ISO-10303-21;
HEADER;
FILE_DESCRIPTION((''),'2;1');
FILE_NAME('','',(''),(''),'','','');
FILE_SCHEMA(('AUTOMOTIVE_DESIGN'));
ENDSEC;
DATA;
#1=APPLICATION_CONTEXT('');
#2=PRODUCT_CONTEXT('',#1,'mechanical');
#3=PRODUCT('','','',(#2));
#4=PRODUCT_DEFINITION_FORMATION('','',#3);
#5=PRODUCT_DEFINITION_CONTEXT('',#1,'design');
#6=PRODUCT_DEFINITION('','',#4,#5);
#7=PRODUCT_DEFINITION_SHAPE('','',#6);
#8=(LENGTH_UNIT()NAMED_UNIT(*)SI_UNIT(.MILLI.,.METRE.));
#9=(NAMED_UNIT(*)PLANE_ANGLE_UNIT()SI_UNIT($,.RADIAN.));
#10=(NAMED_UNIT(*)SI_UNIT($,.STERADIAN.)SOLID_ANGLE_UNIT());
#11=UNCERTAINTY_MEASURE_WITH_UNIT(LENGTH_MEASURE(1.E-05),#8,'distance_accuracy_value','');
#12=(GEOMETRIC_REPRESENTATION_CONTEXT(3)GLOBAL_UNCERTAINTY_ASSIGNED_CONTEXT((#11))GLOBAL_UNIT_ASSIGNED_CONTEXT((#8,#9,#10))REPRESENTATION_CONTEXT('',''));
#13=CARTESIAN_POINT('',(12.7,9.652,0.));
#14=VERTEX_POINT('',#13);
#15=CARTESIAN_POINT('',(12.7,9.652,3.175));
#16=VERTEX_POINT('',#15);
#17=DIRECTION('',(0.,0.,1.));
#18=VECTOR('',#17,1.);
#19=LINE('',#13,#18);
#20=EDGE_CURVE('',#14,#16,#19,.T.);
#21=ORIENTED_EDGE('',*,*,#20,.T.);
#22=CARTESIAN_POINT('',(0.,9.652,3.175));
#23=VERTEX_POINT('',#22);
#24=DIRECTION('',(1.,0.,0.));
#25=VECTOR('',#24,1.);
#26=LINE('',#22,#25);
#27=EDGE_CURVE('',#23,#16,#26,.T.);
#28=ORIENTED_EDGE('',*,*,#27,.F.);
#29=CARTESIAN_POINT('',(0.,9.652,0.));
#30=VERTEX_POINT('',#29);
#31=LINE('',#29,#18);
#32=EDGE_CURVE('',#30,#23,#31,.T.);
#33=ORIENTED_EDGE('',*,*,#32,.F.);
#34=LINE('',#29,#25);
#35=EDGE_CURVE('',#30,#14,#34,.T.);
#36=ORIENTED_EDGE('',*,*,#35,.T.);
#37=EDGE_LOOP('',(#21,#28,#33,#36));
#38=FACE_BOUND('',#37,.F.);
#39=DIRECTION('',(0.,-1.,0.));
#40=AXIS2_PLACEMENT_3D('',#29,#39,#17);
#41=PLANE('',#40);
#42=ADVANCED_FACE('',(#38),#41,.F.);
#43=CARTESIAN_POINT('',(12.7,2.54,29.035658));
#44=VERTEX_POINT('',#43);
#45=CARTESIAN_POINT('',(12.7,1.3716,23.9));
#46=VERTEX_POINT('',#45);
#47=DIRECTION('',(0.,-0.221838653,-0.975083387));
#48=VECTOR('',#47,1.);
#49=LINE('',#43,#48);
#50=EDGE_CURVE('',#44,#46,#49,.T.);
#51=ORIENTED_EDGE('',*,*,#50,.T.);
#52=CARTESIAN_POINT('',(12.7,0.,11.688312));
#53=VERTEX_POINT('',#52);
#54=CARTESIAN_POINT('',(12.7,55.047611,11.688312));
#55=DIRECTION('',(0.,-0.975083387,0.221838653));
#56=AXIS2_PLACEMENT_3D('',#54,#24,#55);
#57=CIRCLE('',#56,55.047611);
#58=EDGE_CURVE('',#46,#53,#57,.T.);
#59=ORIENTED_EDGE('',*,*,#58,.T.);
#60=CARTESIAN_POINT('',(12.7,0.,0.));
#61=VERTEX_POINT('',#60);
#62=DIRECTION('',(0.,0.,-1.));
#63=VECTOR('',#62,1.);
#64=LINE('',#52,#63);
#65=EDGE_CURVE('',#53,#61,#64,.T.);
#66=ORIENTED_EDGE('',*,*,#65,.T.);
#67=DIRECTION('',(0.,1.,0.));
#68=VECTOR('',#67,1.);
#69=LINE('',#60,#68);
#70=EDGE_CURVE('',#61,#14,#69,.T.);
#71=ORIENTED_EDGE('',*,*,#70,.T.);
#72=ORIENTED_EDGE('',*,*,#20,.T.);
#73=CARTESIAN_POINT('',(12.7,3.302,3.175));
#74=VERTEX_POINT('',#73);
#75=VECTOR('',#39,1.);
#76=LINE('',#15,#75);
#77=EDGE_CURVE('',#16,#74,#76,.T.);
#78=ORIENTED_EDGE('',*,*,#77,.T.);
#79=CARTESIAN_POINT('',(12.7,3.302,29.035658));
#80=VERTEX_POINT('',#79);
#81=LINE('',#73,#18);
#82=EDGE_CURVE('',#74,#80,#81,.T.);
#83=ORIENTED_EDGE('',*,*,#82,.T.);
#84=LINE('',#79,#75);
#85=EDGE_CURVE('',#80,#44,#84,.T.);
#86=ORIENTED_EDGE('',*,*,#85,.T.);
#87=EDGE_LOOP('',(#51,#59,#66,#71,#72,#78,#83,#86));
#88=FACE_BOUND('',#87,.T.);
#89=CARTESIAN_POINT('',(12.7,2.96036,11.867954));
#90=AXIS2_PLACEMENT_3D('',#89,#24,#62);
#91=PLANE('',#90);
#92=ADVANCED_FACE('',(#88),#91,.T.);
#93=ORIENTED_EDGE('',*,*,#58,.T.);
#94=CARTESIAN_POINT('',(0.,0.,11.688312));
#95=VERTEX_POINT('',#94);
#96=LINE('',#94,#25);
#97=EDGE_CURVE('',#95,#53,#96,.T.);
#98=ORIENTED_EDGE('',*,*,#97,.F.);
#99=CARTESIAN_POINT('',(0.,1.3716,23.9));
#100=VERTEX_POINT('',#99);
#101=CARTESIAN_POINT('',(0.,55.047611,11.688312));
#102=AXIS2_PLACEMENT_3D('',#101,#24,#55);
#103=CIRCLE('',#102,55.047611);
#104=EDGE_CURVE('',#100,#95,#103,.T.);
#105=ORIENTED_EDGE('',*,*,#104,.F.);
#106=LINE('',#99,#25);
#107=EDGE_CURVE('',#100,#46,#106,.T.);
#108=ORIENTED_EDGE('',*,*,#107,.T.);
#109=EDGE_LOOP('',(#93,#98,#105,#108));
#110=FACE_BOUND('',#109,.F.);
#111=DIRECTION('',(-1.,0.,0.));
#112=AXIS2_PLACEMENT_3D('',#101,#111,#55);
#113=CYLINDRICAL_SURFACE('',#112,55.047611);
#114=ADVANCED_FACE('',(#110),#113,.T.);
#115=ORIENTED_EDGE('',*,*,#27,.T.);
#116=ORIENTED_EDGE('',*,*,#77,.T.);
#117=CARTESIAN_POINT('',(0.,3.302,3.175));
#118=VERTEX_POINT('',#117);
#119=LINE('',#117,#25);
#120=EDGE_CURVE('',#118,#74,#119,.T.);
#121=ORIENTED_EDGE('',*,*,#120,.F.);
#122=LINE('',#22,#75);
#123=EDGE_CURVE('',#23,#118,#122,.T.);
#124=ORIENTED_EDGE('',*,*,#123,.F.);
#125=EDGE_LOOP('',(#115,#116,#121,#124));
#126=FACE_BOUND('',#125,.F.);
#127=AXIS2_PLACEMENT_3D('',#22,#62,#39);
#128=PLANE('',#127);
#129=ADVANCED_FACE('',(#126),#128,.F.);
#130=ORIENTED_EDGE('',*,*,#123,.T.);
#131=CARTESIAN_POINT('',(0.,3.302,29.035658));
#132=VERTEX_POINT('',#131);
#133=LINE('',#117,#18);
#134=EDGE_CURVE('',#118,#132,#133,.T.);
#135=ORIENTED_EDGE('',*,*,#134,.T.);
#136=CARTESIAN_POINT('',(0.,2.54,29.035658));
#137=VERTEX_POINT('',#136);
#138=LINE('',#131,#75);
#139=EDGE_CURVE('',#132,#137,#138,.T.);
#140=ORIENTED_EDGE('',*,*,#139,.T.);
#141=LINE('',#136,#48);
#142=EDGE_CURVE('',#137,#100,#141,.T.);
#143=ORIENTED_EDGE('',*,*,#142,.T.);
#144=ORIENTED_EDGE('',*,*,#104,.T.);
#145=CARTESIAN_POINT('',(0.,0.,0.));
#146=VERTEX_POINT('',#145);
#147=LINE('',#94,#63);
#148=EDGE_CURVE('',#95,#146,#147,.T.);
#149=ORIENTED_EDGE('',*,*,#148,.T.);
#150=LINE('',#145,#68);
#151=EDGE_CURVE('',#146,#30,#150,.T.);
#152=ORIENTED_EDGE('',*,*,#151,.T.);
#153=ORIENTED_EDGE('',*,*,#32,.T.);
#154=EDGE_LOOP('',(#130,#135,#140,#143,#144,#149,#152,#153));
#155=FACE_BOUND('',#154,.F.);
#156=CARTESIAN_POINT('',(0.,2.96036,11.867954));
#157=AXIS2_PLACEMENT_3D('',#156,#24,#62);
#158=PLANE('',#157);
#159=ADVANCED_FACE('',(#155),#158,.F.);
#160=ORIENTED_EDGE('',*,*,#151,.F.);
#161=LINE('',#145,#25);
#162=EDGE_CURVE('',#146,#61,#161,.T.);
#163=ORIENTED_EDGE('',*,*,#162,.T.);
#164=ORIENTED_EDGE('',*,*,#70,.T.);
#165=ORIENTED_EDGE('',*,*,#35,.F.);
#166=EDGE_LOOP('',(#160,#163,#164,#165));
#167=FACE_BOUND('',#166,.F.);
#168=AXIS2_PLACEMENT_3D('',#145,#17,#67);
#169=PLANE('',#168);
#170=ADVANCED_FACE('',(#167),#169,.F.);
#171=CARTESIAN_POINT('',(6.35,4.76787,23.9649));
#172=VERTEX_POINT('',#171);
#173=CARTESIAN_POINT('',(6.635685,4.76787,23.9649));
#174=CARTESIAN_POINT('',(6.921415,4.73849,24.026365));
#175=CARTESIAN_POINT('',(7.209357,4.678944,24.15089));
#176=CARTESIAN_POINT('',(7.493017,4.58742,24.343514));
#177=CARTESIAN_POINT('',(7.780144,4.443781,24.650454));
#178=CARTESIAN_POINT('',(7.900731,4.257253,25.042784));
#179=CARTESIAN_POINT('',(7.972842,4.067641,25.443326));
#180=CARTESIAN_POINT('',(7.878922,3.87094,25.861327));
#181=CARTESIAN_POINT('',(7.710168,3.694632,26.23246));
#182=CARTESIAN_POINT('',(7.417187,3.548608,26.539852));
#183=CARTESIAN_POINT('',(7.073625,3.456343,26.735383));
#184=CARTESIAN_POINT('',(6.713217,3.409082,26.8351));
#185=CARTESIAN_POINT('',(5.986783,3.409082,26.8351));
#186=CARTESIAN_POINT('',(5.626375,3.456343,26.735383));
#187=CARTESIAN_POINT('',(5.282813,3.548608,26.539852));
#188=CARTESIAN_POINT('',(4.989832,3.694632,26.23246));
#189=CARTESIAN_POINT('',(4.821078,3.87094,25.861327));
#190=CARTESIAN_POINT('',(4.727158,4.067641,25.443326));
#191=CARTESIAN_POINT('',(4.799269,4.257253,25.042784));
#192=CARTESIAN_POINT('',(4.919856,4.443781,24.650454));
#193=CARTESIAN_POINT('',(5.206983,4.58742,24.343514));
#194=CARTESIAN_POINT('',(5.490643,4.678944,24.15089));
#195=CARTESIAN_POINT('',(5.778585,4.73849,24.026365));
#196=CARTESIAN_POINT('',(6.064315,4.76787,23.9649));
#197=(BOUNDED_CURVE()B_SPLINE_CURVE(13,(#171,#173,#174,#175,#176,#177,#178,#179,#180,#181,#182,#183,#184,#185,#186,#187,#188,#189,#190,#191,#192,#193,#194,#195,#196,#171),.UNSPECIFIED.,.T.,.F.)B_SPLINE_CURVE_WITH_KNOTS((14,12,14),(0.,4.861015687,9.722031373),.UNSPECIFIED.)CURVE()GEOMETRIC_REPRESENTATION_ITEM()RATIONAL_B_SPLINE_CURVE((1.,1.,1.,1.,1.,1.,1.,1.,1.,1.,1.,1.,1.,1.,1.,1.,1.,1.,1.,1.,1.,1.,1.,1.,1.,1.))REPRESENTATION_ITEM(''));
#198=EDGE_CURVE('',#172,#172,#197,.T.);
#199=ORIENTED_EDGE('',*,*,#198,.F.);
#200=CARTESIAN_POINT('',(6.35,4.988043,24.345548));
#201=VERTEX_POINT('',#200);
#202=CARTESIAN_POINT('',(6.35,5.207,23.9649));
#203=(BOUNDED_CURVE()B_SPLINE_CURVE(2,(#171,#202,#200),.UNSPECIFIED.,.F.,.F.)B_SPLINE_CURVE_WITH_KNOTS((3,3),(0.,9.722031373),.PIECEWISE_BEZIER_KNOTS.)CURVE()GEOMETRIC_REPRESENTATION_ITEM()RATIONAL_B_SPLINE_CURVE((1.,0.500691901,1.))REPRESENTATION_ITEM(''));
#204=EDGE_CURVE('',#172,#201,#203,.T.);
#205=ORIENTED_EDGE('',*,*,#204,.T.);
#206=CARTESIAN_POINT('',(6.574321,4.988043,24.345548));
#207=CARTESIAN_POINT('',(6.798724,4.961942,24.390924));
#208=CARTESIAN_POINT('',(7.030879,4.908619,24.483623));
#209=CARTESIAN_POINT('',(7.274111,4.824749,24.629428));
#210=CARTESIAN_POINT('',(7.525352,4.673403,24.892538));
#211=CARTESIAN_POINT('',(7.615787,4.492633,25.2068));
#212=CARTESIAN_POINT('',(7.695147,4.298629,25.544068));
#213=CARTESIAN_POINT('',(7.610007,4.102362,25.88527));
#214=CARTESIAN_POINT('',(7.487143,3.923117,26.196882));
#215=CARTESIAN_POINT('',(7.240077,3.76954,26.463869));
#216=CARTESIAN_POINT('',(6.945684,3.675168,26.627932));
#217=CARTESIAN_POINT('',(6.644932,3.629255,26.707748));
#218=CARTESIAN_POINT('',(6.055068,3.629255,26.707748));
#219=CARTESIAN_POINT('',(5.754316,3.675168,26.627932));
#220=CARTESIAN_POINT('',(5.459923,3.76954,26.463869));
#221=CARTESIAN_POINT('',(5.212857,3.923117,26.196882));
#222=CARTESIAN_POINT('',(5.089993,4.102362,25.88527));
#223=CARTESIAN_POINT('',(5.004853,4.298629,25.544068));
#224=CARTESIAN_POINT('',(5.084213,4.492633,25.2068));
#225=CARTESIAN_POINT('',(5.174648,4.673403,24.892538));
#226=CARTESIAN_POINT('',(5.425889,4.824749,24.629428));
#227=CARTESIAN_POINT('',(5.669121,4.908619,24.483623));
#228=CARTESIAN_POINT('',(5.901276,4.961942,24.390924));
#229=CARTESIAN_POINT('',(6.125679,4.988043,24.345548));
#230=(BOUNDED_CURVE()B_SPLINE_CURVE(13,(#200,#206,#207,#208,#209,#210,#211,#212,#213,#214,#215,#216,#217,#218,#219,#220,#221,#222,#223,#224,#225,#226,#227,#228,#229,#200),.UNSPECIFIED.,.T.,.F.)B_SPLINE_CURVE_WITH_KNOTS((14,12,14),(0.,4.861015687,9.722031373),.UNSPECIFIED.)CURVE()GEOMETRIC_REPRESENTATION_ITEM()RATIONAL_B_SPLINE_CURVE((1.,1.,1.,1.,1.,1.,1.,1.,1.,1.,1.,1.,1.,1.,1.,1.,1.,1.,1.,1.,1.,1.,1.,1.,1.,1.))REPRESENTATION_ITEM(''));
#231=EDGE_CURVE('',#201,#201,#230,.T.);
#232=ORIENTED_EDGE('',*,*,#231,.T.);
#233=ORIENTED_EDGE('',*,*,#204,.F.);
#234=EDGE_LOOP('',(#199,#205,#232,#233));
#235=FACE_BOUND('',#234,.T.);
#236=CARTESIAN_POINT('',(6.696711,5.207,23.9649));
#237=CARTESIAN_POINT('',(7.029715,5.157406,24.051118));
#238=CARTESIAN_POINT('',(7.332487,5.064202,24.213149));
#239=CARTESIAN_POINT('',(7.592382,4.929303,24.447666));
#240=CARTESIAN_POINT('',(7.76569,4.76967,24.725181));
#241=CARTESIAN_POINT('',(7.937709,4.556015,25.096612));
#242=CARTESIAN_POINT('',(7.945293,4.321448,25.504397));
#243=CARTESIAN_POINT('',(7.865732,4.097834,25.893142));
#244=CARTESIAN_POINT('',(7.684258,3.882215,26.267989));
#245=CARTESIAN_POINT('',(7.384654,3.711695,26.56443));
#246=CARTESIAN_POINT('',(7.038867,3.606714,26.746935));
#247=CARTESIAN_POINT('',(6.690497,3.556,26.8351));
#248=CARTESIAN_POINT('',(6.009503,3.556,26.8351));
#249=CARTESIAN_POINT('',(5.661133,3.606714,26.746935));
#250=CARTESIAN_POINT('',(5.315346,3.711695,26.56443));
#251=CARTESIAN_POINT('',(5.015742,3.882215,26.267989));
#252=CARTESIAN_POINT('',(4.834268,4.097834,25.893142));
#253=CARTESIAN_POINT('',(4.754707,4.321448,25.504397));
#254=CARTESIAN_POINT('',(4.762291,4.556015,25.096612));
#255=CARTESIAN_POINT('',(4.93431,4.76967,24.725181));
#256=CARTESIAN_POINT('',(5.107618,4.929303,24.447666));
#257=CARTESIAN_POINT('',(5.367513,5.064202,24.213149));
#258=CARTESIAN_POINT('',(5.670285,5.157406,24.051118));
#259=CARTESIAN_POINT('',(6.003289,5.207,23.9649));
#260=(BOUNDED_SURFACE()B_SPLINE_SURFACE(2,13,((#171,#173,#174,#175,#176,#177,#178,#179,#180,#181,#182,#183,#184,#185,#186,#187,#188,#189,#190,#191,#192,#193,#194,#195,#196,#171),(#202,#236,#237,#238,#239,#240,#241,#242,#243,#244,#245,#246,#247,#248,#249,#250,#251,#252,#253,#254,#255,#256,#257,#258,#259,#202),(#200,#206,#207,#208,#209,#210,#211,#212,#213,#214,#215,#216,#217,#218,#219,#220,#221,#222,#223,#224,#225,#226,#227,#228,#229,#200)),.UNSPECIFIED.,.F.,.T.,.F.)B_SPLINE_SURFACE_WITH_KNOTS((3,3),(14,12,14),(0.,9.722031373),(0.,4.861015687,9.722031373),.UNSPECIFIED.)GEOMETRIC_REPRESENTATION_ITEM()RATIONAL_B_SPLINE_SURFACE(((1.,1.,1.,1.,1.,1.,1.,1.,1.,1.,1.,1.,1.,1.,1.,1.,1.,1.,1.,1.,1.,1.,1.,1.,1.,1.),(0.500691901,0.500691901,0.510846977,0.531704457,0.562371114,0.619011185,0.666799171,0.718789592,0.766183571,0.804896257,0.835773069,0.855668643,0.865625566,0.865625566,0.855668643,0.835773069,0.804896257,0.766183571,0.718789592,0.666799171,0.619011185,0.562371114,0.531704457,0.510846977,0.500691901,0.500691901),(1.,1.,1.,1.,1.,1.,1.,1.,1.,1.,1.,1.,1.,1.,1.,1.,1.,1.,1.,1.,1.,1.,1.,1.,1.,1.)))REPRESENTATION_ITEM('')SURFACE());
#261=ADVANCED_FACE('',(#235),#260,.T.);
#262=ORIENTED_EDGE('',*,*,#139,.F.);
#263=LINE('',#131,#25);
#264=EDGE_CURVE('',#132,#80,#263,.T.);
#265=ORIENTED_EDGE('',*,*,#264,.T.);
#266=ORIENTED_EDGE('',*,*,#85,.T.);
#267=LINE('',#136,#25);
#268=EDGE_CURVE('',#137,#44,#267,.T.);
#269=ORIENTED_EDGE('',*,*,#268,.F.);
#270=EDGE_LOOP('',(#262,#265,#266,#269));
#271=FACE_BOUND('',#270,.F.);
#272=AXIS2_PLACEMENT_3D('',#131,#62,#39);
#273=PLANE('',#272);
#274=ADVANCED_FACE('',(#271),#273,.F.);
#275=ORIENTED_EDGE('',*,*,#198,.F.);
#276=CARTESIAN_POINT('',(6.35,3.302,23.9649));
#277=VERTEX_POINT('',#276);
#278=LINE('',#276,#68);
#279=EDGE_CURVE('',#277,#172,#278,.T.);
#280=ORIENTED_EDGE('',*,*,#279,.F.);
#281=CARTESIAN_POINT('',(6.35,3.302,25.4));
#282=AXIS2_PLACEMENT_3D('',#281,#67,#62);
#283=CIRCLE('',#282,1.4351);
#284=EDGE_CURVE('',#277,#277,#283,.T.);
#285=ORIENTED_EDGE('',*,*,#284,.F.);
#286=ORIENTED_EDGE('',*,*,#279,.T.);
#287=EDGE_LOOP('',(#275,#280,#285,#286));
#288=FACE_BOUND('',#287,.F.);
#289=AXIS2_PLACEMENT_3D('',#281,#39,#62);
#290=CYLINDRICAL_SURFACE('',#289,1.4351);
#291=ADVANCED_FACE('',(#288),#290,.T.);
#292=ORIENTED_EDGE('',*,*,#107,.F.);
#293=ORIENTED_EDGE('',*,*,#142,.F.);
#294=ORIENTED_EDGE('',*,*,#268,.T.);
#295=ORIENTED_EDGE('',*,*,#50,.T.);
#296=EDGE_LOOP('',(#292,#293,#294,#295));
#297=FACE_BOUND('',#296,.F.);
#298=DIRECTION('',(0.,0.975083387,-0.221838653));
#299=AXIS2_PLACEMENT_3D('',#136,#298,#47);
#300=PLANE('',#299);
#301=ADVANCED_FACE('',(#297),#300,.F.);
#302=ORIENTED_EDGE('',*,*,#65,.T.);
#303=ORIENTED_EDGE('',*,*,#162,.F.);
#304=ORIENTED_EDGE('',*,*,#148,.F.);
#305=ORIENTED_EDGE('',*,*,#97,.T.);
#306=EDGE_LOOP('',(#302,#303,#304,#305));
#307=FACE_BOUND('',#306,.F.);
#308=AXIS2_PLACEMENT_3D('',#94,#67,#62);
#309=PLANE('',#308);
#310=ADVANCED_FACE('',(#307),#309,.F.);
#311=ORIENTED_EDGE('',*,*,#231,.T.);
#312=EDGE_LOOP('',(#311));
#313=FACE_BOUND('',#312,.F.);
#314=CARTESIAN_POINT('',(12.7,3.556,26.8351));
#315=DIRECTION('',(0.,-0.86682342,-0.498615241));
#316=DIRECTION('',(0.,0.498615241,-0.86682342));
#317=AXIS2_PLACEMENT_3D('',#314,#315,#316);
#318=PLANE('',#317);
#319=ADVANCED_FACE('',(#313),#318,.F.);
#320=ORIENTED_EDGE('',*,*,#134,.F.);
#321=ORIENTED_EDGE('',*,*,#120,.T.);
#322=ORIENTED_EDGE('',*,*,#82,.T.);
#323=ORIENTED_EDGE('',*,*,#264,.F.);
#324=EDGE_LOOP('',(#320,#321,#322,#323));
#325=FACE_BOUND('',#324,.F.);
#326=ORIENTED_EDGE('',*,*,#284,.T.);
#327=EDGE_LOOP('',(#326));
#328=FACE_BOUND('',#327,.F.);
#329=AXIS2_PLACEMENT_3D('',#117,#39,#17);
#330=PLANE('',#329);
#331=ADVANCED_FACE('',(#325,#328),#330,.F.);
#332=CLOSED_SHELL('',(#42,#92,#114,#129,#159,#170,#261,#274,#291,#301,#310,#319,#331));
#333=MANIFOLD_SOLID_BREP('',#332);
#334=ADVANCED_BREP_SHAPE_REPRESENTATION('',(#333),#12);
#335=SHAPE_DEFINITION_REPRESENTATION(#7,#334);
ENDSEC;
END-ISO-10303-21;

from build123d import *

# Parameters (mm, degrees)
BOSS_EXTRUDE1_DEPTH = 12.7
SKETCH2_R           = 1.4351
BOSS_EXTRUDE2_DEPTH = 3.81
CUT_EXTRUDE1_DEPTH  = 34.12884745
FILLET1_R           = 0.254


with BuildPart() as part:
    # Sketch1 → Boss-Extrude1 (new body)
    with BuildSketch(Plane(origin=(0, 0, 0), x_dir=(0, 0, -1), z_dir=(1, 0, 0))):
        with BuildLine():
            ThreePointArc((-23.9, 1.3716), (-17.832549445, 0.343974693), (-11.688312193, 0))
            Line((-11.688312193, 0), (0, 0))
            Line((0, 0), (0, 9.652))
            Line((0, 9.652), (-3.175, 9.652))
            Line((-3.175, 9.652), (-3.175, 3.302))
            Line((-3.175, 3.302), (-29.035657895, 3.302))
            Line((-29.035657895, 3.302), (-29.035657895, 2.54))
            Line((-29.035657895, 2.54), (-23.9, 1.3716))
        make_face()
    extrude(amount=BOSS_EXTRUDE1_DEPTH)

    # Sketch2 → Boss-Extrude2 (add)
    with BuildSketch(Plane(origin=(0, 3.302, 0), x_dir=(1, 0, 0), z_dir=(0, 1, 0))):
        with Locations(Location((6.35, -25.4, 0), (0, 0, 90))):
            Circle(SKETCH2_R)
    extrude(amount=BOSS_EXTRUDE2_DEPTH)

    # Sketch3 → Cut-Extrude1 (cut, through all)
    with BuildSketch(Plane(origin=(12.7, 0, 0), x_dir=(0, 0, -1), z_dir=(1, 0, 0))):
        Polygon((-26.8351, 3.556), (-23.9649, 5.207), (-23.9649, 7.112), (-26.8351, 7.112), align=None)
    extrude(amount=-CUT_EXTRUDE1_DEPTH, mode=Mode.SUBTRACT)

    # Fillet1
    fillet1_edges = [part.edges().sort_by_distance(p)[0] for p in [
        (7.7851, 4.3815, 25.4),
    ]]
    fillet(fillet1_edges, radius=FILLET1_R)


solid = part.part
